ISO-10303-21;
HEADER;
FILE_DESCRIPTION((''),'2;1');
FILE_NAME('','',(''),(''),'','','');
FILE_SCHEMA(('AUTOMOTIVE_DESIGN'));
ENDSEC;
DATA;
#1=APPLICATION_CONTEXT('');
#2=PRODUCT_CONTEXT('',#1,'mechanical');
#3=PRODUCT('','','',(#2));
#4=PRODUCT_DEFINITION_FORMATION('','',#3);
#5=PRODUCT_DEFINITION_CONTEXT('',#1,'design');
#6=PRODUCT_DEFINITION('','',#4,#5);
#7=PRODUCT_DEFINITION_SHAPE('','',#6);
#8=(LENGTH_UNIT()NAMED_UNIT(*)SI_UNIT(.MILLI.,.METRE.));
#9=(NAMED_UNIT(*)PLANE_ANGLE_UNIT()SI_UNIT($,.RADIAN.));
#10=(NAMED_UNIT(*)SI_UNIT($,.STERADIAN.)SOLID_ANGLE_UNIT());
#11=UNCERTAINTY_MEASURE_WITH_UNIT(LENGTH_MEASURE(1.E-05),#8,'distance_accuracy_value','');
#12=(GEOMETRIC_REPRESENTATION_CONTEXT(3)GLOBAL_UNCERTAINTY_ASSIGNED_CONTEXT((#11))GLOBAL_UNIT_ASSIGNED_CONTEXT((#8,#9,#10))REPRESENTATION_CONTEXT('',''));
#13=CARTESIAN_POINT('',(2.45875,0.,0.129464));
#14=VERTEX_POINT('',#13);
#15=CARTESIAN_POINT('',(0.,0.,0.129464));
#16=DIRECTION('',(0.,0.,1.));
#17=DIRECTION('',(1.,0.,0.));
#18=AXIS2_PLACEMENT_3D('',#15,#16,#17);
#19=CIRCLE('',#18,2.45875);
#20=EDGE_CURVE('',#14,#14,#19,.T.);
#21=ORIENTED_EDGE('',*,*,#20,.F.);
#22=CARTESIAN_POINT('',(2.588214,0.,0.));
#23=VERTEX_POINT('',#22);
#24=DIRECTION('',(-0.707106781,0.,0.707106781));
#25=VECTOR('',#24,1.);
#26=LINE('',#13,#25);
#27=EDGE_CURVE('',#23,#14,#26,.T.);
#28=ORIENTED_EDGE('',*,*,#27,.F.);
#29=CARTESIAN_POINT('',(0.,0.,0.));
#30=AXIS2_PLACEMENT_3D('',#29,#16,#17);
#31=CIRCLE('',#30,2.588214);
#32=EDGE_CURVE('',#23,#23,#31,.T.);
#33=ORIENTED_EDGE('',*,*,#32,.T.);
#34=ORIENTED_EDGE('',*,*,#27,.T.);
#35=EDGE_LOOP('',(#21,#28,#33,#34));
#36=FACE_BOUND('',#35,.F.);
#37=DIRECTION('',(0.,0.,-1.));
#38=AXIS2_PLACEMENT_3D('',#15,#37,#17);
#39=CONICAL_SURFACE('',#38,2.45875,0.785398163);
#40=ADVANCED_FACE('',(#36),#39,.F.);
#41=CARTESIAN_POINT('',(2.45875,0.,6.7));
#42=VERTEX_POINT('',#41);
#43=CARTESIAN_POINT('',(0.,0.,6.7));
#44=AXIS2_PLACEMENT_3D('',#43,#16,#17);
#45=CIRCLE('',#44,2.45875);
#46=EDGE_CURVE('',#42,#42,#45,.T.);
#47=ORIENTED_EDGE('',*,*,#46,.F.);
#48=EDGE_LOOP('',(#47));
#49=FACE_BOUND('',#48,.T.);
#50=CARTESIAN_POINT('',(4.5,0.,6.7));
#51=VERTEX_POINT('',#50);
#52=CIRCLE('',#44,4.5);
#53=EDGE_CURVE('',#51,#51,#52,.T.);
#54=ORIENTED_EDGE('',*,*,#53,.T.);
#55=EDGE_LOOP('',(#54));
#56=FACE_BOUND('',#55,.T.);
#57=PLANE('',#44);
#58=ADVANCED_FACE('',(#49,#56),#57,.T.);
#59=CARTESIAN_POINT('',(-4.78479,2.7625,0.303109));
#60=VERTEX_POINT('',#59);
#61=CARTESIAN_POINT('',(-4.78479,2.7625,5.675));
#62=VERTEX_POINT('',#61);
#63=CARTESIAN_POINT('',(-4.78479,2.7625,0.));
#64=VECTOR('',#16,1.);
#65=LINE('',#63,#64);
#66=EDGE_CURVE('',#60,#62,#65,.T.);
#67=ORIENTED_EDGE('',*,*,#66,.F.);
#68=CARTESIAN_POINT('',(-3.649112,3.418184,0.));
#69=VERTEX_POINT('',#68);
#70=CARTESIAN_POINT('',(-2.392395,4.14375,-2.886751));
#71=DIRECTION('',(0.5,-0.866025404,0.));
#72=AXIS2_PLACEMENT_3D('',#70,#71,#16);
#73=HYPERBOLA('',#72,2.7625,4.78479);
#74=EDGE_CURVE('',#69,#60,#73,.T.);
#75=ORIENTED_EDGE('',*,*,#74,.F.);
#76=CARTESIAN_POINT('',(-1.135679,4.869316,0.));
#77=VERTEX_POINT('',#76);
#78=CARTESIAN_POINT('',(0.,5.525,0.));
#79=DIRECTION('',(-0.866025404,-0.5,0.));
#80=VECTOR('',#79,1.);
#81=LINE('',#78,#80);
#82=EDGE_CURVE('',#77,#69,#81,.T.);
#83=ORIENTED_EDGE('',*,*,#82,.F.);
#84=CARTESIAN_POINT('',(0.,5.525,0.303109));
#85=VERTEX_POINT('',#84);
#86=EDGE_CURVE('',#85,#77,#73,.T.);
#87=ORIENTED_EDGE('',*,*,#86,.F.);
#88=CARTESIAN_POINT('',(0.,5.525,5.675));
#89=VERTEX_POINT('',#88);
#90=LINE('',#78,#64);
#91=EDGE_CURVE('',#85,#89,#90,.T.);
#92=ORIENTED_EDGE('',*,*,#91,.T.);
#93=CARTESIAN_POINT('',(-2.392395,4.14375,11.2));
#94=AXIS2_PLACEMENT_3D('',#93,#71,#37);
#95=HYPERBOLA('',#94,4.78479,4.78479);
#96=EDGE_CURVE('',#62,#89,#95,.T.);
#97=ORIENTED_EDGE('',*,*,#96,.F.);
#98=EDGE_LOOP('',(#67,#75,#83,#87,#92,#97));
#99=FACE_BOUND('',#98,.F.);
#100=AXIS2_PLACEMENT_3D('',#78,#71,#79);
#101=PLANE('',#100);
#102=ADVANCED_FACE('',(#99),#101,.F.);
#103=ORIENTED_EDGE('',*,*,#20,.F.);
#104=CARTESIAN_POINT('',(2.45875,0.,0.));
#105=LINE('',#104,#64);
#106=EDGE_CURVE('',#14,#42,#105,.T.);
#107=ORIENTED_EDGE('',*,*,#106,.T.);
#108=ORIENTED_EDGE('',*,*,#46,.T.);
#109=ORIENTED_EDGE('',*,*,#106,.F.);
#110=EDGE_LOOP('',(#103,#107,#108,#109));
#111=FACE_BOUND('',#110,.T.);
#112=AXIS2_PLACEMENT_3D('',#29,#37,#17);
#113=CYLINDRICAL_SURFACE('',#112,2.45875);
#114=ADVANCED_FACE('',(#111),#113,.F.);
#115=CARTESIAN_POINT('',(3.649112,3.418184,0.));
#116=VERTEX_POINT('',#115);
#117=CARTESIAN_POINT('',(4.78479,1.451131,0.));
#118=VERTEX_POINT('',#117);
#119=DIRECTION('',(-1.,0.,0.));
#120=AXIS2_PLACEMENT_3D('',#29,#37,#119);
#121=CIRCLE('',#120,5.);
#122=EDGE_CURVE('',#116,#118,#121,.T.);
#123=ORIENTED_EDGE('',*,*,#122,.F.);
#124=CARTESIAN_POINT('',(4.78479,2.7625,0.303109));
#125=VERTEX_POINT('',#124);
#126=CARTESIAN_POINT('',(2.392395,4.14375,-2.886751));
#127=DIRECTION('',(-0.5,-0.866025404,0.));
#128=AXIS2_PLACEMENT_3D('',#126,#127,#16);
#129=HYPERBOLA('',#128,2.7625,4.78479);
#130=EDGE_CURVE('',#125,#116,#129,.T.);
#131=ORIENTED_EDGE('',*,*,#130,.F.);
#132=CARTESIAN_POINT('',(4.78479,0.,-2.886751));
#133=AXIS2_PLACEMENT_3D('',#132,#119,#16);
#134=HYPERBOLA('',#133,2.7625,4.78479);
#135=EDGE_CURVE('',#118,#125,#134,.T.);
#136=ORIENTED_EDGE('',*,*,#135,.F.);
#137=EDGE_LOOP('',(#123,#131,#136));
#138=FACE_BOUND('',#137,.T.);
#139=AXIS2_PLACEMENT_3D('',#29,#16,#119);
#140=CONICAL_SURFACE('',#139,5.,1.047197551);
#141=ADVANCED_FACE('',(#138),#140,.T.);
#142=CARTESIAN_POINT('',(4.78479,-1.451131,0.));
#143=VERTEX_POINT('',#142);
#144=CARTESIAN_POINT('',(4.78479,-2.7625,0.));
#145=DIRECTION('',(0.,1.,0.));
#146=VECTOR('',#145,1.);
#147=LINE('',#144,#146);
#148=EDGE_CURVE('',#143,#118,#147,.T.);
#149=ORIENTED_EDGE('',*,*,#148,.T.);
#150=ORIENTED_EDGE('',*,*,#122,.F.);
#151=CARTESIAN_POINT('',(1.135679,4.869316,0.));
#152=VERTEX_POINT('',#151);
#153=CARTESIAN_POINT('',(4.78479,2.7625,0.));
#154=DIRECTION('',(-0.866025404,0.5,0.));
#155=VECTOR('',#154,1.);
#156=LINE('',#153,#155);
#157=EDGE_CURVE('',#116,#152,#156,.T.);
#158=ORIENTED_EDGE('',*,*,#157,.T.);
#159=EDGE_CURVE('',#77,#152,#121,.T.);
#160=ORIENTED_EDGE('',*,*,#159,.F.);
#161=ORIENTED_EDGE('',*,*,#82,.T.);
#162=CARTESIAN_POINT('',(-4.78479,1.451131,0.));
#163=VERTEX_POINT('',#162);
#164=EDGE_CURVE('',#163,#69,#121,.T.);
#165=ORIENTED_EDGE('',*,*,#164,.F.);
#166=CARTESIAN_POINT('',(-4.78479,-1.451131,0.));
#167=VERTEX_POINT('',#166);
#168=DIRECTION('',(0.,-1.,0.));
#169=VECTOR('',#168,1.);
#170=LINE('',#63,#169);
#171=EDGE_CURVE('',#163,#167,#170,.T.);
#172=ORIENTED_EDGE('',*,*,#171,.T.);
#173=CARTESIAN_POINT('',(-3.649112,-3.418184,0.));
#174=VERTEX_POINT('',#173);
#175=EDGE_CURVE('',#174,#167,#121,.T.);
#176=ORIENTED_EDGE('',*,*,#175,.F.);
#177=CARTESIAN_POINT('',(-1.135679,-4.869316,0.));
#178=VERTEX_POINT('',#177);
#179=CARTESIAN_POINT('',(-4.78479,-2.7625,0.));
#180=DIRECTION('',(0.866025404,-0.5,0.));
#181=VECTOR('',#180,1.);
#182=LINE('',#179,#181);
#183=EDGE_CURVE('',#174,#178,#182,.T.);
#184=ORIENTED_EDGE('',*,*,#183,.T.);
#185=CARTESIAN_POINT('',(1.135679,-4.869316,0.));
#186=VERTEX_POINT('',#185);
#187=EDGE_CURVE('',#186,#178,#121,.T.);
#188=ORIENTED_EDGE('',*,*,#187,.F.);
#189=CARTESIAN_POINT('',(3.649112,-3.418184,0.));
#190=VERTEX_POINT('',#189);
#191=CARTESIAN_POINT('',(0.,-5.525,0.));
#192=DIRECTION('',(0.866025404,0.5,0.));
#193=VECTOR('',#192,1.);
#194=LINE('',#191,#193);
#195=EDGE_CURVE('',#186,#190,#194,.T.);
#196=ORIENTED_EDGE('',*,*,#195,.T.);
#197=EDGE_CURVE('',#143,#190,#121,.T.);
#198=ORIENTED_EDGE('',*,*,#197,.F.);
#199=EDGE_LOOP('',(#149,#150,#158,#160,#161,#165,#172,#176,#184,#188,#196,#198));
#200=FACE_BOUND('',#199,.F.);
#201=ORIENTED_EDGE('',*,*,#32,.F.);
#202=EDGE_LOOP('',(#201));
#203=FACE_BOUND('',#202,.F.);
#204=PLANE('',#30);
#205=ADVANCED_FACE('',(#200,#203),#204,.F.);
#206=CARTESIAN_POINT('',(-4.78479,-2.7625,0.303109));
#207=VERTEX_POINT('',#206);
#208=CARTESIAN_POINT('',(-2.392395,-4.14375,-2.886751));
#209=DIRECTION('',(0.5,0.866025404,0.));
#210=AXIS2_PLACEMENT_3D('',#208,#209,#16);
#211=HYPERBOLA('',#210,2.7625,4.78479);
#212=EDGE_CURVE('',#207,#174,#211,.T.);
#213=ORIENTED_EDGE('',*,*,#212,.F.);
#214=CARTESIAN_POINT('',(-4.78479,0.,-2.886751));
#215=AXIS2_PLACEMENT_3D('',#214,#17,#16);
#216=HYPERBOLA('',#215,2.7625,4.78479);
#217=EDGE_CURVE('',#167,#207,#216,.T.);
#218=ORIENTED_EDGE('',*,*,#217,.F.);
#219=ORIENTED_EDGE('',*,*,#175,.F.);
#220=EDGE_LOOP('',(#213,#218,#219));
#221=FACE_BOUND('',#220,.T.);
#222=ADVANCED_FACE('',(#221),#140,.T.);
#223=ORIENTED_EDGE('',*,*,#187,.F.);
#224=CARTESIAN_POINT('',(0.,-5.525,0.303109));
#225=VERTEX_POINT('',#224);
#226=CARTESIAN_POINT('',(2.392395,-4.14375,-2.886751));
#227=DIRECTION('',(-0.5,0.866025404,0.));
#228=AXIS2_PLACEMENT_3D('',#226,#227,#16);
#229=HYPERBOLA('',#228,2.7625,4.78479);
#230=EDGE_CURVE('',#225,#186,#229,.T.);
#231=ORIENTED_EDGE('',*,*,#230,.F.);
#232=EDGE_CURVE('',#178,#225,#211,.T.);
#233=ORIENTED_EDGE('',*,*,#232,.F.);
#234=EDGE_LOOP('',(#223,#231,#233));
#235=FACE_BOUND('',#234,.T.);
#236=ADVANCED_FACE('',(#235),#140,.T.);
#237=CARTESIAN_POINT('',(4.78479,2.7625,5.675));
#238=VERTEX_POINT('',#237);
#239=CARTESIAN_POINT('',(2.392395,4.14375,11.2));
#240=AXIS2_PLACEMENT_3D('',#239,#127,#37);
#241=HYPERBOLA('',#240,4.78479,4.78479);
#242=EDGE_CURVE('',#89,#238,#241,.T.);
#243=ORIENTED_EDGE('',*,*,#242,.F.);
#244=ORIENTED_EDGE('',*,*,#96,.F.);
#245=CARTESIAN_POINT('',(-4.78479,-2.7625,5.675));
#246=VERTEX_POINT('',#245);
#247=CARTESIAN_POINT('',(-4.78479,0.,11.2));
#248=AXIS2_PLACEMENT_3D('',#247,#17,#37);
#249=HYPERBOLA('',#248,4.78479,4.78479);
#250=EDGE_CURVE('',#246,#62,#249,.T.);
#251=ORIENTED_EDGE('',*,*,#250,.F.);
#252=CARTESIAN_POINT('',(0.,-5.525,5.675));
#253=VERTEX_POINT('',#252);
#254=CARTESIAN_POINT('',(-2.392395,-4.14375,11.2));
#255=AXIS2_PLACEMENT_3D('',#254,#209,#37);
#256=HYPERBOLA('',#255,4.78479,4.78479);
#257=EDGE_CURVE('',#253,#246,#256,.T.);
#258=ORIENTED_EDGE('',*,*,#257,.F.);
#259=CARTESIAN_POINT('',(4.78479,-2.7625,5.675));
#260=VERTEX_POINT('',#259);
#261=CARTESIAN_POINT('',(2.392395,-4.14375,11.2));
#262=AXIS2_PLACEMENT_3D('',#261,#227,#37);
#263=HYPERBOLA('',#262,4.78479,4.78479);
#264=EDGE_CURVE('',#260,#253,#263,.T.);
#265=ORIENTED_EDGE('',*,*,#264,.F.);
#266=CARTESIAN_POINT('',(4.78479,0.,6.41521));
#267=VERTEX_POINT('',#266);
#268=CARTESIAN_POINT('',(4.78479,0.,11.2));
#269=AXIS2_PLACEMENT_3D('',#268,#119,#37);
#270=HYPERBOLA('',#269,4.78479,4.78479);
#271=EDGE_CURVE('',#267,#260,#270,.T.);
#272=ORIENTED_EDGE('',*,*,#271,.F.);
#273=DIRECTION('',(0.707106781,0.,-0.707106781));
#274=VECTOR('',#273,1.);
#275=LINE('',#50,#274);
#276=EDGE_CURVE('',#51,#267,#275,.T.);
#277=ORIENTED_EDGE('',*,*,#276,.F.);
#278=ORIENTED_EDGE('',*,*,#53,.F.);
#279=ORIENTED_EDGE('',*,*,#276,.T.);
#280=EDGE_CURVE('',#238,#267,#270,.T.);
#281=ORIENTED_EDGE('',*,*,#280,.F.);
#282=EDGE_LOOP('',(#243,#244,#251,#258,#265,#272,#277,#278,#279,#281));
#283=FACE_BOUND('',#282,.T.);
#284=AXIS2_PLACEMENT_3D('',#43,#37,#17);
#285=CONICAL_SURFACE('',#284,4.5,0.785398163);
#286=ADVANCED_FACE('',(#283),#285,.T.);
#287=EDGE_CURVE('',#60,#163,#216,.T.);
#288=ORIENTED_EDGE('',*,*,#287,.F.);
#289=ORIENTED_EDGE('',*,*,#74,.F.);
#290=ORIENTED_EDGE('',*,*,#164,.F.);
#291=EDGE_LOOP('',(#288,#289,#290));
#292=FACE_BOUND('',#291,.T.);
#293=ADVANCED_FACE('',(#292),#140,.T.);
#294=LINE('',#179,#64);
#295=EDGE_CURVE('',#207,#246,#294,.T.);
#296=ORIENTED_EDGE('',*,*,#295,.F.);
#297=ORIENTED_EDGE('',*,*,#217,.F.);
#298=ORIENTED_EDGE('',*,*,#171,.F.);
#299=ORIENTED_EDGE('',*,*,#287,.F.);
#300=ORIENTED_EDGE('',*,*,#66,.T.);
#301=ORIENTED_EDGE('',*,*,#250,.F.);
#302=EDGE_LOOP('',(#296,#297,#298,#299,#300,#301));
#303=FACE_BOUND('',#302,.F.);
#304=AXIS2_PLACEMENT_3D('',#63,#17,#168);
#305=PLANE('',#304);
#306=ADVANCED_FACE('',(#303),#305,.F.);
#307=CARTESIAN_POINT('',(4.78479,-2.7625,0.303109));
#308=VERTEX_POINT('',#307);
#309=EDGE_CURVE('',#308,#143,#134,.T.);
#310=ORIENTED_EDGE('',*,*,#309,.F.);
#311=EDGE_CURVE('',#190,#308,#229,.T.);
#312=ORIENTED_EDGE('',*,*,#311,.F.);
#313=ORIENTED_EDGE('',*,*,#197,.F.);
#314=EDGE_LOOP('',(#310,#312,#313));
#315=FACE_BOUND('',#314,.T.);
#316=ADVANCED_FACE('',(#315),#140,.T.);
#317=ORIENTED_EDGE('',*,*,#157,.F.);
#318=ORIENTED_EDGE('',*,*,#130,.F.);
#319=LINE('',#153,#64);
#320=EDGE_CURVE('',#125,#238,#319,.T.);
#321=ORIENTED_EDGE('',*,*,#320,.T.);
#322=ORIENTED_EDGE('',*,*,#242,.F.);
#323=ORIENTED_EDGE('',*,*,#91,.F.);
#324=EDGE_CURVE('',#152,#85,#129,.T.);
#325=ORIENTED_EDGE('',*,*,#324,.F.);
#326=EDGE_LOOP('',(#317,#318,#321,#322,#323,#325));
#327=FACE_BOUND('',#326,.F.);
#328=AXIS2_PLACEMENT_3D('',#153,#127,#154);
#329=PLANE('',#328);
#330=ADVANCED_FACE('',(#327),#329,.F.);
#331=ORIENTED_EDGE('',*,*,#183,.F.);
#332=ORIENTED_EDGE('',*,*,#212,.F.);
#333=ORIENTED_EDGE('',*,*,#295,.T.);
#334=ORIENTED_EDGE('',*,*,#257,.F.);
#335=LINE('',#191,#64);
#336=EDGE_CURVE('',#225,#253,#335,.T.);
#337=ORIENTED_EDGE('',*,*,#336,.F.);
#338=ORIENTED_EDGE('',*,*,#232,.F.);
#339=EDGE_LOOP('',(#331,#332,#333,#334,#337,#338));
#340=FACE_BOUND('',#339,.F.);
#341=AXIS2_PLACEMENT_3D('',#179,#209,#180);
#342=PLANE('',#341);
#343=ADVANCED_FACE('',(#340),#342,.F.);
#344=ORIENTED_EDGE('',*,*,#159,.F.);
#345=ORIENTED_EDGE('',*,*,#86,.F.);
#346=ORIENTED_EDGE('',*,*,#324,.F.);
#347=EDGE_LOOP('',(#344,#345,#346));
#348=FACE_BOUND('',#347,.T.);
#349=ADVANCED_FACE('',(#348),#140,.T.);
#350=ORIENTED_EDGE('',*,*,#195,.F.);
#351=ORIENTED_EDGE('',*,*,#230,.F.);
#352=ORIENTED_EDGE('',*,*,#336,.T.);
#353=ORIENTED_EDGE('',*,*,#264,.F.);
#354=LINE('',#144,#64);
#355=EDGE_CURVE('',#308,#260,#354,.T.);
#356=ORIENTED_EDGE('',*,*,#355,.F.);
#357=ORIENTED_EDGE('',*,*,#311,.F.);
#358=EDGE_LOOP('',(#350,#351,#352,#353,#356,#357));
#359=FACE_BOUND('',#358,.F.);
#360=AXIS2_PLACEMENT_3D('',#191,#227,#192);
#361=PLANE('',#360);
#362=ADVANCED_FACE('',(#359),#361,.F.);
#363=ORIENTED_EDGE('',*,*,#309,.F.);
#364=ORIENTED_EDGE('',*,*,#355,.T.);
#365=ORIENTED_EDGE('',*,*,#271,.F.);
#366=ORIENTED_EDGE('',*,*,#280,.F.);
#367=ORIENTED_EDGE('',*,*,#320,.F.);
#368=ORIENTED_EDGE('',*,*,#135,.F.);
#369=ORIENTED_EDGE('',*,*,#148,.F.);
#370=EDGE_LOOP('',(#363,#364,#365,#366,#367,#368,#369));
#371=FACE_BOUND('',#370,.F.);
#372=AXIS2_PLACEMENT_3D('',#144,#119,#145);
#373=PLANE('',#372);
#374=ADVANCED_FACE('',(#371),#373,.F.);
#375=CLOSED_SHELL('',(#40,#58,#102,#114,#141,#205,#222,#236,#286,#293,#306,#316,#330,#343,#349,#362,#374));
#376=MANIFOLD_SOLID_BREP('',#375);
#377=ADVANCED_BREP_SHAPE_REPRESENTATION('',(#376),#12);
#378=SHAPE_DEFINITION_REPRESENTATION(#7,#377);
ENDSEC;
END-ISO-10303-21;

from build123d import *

# Parameters (mm, degrees)
SKETCH_1_R          = 2.45875
EXTRUDE_555_DEPTH   = 6.7
SKETCH_2_OUTSIDE_W  = 52.598
SKETCH_2_OUTSIDE_H  = 54.078
SKETCH_2_OUTSIDE_R  = 5
CUT_EXTRUDE_1_DEPTH = 10.915132059
CUT_EXTRUDE_1_DRAFT = -60
CHAMFER_1_SIZE      = 0.129464286
SKETCH_9_OUTSIDE_W  = 36.616
SKETCH_9_OUTSIDE_H  = 38.096
SKETCH_9_OUTSIDE_R  = 4.5
CUT_EXTRUDE_7_DEPTH = 10.915132059
CUT_EXTRUDE_7_DRAFT = -45


with BuildPart() as part:
    # 草图1 → Extrude 555 (new body)
    with BuildSketch(Plane.XY):
        Polygon((0, 5.525), (-4.784790356, 2.7625), (-4.784790356, -2.7625), (0, -5.525), (4.784790356, -2.7625), (4.784790356, 2.7625), align=None)
        Circle(SKETCH_1_R, mode=Mode.SUBTRACT)
    extrude(amount=EXTRUDE_555_DEPTH)


with BuildPart() as cut_extrude_1_tool:
    # 草图2 outside → 切除-拉伸1 (with draft: the straight prism first)
    with BuildSketch(Plane(origin=(0, 0, 0), x_dir=(-1, 0, 0), z_dir=(0, 0, -1))):
        Rectangle(SKETCH_2_OUTSIDE_W, SKETCH_2_OUTSIDE_H)
        Circle(SKETCH_2_OUTSIDE_R, mode=Mode.SUBTRACT)
    extrude(amount=-CUT_EXTRUDE_1_DEPTH)
    # 切除-拉伸1: the draft: its side faces are tilted about the plane it starts from
    cut_extrude_1_sides = [cut_extrude_1_tool.faces().sort_by_distance(p)[0] for p in [
        (0, -27.039, 5.45756603),
        (-26.299, 0, 5.45756603),
        (0, 27.039, 5.45756603),
        (26.299, 0, 5.45756603),
        (5, 0, 5.45756603),
    ]]
    draft(cut_extrude_1_sides, Plane(origin=(0, 0, 0), x_dir=(-1, 0, 0), z_dir=(0, 0, -1)), CUT_EXTRUDE_1_DRAFT)


with BuildPart() as part_1:
    add(part.part)

    # 切除-拉伸1: cut by cut_extrude_1_tool
    add(cut_extrude_1_tool.part, mode=Mode.SUBTRACT)

    # 倒角1
    chamfer_1_edges = [part_1.edges().sort_by_distance(p)[0] for p in [
        (-2.45875, 0, 0),
    ]]
    chamfer(chamfer_1_edges, length=CHAMFER_1_SIZE)


with BuildPart() as cut_extrude_7_tool:
    # 草图9 outside → 切除-拉伸7 (with draft: the straight prism first)
    with BuildSketch(Plane.XY.offset(6.7)):
        Rectangle(SKETCH_9_OUTSIDE_W, SKETCH_9_OUTSIDE_H)
        Circle(SKETCH_9_OUTSIDE_R, mode=Mode.SUBTRACT)
    extrude(amount=-CUT_EXTRUDE_7_DEPTH)
    # 切除-拉伸7: the draft: its side faces are tilted about the plane it starts from
    cut_extrude_7_sides = [cut_extrude_7_tool.faces().sort_by_distance(p)[0] for p in [
        (0, -19.048, 1.24243397),
        (18.308, 0, 1.24243397),
        (0, 19.048, 1.24243397),
        (-18.308, 0, 1.24243397),
        (-4.5, 0, 1.24243397),
    ]]
    draft(cut_extrude_7_sides, Plane.XY.offset(6.7), CUT_EXTRUDE_7_DRAFT)


with BuildPart() as part_2:
    add(part_1.part)

    # 切除-拉伸7: cut by cut_extrude_7_tool
    add(cut_extrude_7_tool.part, mode=Mode.SUBTRACT)


solid = part_2.part
